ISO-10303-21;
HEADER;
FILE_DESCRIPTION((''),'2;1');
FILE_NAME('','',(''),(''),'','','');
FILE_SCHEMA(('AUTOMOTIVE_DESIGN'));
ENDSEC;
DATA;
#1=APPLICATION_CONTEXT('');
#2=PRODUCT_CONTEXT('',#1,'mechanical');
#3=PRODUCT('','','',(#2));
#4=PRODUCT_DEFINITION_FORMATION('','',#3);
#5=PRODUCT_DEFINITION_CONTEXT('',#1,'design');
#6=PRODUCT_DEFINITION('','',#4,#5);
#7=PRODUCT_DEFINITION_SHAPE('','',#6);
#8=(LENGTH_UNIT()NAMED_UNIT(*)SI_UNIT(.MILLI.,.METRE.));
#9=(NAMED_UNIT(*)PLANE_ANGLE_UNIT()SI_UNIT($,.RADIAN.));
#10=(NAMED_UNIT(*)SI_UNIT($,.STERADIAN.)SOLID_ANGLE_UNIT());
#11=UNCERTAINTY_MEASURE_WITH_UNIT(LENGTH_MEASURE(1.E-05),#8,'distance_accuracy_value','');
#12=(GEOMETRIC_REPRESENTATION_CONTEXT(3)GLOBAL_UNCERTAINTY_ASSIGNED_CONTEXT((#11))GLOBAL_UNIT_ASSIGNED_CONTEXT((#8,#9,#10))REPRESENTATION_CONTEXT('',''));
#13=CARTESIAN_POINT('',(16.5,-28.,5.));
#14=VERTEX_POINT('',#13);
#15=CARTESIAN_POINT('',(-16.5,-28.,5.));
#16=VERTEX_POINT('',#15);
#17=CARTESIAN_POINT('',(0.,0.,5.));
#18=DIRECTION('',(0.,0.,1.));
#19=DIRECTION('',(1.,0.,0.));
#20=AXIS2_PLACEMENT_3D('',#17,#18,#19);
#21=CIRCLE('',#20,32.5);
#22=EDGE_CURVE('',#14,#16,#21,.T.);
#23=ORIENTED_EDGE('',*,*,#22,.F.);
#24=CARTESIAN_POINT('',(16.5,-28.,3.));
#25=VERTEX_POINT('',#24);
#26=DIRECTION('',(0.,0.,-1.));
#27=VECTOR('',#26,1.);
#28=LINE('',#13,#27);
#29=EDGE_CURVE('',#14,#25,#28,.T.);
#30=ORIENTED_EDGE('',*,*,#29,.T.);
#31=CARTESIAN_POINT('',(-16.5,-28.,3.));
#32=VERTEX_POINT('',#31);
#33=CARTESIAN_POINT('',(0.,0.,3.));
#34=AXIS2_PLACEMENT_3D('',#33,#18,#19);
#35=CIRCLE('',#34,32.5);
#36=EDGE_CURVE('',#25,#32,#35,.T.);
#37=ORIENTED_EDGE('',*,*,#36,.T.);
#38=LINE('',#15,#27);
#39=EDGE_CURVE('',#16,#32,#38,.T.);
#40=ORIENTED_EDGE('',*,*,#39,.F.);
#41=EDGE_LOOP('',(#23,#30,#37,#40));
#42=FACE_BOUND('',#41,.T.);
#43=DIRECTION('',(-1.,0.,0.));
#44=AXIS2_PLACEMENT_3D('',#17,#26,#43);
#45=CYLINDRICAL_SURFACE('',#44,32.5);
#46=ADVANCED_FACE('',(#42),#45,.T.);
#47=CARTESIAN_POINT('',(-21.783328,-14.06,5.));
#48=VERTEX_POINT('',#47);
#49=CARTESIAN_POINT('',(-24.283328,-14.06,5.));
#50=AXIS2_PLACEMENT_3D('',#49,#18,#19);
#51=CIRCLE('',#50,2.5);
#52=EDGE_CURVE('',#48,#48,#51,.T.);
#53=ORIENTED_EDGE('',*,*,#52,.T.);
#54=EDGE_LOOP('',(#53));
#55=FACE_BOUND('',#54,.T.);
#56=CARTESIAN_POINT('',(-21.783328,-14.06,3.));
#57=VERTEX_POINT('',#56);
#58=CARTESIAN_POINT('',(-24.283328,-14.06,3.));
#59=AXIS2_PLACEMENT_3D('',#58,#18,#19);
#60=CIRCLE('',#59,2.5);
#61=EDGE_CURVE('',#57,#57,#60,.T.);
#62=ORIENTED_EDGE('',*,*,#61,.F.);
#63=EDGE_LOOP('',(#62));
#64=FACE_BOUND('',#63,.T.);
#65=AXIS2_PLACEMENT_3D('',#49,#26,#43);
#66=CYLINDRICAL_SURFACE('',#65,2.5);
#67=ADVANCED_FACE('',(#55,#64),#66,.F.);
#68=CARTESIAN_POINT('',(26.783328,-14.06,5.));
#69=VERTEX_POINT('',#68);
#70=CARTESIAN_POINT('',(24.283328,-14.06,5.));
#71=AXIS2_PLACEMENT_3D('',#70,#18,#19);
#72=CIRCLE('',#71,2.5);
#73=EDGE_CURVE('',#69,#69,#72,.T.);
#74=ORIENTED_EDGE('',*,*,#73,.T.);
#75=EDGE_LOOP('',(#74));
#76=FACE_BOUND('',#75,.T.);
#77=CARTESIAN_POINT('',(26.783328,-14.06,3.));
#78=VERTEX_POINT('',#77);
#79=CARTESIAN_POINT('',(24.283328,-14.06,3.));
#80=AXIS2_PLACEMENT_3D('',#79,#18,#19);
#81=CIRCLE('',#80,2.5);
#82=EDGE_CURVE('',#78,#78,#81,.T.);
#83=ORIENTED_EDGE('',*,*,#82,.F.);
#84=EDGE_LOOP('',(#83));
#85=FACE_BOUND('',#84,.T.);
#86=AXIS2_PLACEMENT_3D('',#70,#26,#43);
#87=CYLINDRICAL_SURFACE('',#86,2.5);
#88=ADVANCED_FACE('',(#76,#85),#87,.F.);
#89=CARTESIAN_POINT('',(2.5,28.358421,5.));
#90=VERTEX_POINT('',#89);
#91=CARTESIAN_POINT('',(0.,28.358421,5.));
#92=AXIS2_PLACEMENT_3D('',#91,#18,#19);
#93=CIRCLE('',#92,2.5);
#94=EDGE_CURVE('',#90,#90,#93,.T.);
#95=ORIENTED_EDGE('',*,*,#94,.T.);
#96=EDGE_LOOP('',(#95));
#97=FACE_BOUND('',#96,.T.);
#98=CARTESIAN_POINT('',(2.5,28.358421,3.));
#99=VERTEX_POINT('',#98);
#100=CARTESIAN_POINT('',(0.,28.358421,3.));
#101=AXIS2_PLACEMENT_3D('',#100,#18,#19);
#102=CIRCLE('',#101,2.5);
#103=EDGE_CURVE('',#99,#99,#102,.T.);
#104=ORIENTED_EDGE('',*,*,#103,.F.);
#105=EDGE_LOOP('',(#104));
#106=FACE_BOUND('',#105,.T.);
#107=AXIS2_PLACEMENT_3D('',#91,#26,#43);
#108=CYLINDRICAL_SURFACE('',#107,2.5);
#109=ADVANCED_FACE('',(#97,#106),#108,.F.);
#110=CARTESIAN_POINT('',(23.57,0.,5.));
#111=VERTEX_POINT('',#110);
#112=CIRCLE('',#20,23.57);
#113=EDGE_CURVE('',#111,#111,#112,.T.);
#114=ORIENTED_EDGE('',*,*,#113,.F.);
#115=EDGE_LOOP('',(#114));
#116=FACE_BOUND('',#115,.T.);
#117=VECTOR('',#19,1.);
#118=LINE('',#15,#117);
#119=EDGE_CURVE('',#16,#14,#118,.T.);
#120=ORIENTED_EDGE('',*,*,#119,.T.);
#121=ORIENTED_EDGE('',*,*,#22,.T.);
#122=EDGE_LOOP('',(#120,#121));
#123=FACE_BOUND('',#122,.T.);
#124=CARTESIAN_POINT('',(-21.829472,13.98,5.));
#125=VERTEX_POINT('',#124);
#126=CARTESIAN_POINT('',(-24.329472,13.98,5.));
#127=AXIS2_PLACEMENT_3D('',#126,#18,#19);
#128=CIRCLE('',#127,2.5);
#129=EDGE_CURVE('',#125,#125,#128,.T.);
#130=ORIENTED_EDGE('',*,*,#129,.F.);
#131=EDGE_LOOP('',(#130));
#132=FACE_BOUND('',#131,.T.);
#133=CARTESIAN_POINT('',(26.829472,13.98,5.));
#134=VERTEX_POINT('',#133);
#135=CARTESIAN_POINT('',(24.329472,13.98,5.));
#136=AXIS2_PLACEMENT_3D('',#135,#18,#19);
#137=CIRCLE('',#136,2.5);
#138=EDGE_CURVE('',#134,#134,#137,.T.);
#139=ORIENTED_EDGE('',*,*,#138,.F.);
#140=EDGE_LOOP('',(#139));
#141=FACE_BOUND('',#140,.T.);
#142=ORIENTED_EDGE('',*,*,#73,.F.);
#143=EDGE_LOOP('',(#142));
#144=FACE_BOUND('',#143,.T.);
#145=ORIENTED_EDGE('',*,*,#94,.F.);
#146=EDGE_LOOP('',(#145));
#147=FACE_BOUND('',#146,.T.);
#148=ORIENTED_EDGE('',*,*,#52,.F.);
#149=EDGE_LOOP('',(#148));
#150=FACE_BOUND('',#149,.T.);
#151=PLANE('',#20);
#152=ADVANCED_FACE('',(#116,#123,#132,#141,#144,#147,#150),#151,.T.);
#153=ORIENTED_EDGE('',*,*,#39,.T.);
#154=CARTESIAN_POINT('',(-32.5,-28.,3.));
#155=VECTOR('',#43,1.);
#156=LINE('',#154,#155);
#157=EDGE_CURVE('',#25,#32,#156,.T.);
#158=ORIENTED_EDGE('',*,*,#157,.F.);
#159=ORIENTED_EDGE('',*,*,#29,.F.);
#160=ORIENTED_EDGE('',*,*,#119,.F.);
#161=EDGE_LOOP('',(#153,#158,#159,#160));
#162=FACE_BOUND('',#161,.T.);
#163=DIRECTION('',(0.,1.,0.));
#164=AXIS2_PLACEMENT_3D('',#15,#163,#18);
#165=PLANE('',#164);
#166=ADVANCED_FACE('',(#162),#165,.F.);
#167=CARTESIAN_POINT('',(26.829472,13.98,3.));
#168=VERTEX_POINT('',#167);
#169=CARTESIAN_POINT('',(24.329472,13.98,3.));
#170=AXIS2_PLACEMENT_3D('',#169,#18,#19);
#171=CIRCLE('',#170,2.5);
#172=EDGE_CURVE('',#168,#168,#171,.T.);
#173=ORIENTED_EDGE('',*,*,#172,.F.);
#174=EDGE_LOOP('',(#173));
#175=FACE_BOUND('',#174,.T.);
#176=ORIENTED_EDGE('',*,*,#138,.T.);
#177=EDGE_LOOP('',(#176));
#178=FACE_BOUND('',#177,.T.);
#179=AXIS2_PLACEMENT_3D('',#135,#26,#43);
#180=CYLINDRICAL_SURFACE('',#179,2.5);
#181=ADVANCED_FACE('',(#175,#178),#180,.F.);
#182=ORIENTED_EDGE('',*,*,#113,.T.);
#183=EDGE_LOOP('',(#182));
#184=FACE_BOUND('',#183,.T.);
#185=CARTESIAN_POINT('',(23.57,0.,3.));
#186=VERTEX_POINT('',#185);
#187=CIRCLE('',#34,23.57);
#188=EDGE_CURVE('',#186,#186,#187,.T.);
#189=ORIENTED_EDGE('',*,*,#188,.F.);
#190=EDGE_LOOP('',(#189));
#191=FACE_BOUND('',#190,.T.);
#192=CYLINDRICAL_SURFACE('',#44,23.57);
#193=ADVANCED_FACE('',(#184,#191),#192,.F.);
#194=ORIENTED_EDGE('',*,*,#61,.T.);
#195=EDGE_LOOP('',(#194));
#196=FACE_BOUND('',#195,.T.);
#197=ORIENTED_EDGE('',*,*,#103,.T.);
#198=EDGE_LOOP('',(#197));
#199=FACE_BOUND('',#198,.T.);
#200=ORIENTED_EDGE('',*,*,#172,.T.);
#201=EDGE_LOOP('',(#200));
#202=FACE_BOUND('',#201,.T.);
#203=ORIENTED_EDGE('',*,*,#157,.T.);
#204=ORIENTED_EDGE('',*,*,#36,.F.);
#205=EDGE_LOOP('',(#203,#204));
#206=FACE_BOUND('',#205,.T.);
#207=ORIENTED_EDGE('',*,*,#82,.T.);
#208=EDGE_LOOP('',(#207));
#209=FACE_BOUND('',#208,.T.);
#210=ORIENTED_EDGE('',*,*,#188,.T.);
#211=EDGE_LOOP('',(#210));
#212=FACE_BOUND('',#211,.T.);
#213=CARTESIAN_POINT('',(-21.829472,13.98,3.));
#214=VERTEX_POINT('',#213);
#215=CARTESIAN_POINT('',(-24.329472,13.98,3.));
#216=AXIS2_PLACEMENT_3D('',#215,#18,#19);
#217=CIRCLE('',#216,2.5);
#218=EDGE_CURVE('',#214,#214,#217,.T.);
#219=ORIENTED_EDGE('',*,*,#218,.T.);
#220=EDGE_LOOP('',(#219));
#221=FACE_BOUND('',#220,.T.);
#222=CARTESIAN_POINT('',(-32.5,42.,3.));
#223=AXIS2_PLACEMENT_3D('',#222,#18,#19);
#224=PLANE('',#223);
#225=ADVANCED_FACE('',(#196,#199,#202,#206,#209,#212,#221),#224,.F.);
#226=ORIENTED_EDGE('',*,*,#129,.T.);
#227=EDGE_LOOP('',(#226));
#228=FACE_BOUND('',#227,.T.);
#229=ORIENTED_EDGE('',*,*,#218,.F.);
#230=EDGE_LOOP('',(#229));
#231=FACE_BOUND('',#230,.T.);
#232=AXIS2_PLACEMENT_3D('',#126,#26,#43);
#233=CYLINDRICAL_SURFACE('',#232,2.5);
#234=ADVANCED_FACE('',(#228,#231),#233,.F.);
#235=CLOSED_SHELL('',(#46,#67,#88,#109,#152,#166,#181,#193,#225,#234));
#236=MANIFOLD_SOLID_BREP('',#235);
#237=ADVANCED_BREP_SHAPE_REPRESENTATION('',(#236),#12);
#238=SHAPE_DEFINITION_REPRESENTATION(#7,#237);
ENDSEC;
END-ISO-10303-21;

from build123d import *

# Parameters (mm, degrees)
SKETCH1_R           = 23.57
SKETCH1_R_2         = 2.5
BOSS_EXTRUDE1_DEPTH = 5
SKETCH2_W           = 65
SKETCH2_H           = 3
CUT_EXTRUDE1_DEPTH  = 70


with BuildPart() as part:
    # Sketch1 → Boss-Extrude1 (new body)
    with BuildSketch(Plane.XY):
        with BuildLine():
            Line((-16.5, -28), (16.5, -28))
            ThreePointArc((16.5, -28), (0, 32.5), (-16.5, -28))
        make_face()
        Circle(SKETCH1_R, mode=Mode.SUBTRACT)
        with Locations((24.283327614, -14.06)):
            Circle(SKETCH1_R_2, mode=Mode.SUBTRACT)
        with Locations((24.32947184, 13.98)):
            Circle(SKETCH1_R_2, mode=Mode.SUBTRACT)
        with Locations((0, 28.358420848)):
            Circle(SKETCH1_R_2, mode=Mode.SUBTRACT)
        with Locations((-24.32947184, 13.98)):
            Circle(SKETCH1_R_2, mode=Mode.SUBTRACT)
        with Locations((-24.283327614, -14.06)):
            Circle(SKETCH1_R_2, mode=Mode.SUBTRACT)
    extrude(amount=BOSS_EXTRUDE1_DEPTH)

    # Sketch2 → Cut-Extrude1 (cut)
    with BuildSketch(Plane(origin=(0, -28, 0), x_dir=(-1, 0, 0), z_dir=(0, -1, 0))):
        with Locations((0, -1.5)):
            Rectangle(SKETCH2_W, SKETCH2_H)
    extrude(amount=-CUT_EXTRUDE1_DEPTH, mode=Mode.SUBTRACT)


solid = part.part
